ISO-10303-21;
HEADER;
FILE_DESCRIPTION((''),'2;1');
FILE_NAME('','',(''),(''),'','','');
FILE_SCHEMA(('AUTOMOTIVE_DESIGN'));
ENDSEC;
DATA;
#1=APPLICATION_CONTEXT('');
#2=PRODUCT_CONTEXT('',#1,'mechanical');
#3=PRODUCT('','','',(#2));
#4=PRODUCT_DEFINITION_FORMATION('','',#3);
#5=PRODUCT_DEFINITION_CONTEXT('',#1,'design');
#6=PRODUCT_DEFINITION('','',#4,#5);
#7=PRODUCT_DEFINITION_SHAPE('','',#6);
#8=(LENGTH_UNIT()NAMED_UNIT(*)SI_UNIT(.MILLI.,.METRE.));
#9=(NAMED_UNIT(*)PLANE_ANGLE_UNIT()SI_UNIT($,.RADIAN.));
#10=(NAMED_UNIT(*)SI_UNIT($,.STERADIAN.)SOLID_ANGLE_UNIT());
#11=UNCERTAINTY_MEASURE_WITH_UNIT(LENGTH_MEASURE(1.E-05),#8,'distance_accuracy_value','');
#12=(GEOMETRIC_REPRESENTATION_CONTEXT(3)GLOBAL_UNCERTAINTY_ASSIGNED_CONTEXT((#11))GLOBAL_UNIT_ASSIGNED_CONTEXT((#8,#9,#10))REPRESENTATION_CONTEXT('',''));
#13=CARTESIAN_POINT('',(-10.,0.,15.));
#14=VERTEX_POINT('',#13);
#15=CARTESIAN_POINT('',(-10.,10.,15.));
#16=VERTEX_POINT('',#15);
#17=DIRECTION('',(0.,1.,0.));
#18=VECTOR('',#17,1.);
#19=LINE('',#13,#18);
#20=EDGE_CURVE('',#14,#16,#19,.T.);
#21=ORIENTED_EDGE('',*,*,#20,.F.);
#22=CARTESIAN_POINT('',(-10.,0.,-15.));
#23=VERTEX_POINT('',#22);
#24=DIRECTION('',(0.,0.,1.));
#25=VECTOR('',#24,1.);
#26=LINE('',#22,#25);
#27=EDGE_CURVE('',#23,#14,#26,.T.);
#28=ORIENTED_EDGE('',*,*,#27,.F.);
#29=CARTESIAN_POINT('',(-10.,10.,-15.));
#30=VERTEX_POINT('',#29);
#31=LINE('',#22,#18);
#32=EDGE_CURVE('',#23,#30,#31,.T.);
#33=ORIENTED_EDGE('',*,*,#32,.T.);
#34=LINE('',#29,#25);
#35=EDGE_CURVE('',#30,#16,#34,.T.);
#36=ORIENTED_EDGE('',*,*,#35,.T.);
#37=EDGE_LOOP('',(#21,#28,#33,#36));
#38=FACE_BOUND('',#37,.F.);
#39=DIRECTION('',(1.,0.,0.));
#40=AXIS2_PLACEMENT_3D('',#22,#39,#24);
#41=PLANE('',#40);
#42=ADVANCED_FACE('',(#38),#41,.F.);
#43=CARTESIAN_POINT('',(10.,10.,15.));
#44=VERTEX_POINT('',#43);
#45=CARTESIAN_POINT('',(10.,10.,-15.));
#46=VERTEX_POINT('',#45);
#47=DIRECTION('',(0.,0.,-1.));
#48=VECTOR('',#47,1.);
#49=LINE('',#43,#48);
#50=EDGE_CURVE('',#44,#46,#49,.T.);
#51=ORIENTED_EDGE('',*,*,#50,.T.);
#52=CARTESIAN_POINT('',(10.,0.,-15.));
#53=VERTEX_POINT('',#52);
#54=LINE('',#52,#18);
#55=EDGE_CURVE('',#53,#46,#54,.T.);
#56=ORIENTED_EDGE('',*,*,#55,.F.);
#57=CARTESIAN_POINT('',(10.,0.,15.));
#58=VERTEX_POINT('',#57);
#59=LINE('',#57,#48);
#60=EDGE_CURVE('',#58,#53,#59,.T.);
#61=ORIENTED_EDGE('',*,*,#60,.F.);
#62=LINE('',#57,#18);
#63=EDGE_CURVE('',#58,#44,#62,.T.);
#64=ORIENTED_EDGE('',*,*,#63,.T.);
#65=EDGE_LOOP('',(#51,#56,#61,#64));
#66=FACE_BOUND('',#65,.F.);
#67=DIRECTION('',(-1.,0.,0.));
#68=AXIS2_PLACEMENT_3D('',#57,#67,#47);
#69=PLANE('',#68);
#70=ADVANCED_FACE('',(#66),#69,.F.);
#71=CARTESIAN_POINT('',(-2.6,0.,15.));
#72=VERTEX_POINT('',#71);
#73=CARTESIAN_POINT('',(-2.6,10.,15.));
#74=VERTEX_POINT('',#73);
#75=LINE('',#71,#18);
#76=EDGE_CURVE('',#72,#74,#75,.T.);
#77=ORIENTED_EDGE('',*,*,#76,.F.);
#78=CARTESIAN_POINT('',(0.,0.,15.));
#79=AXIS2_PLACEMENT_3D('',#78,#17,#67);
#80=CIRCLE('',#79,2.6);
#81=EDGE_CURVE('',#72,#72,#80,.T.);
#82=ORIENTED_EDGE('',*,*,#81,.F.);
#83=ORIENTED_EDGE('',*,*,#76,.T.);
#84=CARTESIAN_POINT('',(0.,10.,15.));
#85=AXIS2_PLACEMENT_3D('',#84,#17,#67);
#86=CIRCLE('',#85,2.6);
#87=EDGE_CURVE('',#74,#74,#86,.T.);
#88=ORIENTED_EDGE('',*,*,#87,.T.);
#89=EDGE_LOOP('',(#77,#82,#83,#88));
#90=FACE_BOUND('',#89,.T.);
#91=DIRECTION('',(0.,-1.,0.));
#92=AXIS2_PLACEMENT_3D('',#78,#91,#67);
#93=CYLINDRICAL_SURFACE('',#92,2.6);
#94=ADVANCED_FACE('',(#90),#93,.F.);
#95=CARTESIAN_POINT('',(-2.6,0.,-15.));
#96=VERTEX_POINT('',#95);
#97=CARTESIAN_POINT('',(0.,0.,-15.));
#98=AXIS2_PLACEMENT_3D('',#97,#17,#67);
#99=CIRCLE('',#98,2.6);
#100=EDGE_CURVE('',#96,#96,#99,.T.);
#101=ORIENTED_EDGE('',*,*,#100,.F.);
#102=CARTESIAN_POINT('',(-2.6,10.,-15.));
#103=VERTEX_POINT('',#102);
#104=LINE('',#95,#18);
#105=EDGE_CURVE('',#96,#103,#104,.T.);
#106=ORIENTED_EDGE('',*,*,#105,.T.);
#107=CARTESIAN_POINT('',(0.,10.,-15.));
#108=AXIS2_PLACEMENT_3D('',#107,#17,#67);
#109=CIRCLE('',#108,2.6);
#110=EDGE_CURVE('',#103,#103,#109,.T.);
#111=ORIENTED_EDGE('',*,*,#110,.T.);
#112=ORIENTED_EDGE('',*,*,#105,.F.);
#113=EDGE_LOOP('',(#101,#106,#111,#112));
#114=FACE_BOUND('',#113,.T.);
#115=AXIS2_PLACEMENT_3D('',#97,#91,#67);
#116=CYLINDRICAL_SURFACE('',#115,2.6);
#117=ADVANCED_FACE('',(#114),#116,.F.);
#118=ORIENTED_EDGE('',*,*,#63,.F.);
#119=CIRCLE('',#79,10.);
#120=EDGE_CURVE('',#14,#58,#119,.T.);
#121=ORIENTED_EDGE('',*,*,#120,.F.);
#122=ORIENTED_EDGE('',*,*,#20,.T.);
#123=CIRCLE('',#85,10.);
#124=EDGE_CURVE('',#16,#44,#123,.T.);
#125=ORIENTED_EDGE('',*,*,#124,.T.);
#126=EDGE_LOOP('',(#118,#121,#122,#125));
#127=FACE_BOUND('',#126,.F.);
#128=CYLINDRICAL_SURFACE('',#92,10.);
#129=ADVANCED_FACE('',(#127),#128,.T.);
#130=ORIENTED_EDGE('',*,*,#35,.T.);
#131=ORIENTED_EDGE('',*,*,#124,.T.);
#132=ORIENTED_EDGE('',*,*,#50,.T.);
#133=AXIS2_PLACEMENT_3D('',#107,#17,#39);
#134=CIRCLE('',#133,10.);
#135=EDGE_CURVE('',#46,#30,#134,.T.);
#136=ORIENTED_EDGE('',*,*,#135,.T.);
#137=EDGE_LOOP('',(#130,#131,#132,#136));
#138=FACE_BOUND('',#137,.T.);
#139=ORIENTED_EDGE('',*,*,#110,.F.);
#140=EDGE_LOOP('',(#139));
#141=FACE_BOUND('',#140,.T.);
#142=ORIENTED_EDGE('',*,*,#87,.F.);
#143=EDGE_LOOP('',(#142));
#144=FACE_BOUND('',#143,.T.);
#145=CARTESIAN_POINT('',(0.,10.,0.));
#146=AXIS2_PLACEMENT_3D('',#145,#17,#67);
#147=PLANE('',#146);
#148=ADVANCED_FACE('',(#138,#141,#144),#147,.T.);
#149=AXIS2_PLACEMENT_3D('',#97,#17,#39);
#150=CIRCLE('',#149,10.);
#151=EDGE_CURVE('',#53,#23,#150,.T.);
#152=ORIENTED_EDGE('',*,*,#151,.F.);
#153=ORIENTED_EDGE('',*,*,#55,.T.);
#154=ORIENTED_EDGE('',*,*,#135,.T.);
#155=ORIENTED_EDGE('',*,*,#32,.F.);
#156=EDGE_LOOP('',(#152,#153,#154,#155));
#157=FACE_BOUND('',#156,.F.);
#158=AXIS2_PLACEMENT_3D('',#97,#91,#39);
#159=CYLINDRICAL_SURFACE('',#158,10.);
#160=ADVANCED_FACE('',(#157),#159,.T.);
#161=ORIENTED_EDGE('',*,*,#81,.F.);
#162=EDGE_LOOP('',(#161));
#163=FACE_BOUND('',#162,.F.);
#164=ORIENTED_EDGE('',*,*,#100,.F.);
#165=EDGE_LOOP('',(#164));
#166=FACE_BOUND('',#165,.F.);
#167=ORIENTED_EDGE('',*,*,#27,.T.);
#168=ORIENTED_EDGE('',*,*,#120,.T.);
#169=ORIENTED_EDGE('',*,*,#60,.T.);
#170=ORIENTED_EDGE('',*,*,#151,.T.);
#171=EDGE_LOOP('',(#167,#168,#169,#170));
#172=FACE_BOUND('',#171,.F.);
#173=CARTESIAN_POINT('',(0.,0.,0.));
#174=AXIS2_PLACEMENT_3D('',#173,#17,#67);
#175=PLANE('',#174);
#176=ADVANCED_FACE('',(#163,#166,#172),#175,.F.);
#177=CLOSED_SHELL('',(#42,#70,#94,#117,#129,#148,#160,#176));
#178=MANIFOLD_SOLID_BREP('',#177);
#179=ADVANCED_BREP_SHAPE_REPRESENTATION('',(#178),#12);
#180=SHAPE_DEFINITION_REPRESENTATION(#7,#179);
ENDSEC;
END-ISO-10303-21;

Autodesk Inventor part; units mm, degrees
ref_plane "YZ Plane" through (0, 0, 0) normal (1, 0, 0) x (0, 1, 0)
ref_plane "XZ Plane" through (0, 0, 0) normal (0, 1, 0) x (-1, 0, 0)
ref_plane "XY Plane" through (0, 0, 0) normal (0, 0, 1) x (1, 0, 0)
sketch "Sketch1" plane through (0, 0, 0) normal (0, 1, 0) x (-1, 0, 0)
  line L0 (0, 15) -> (0, -15) construction
  line L1 (-10, 15) -> (-10, -15)
  line L2 (10, -15) -> (10, 15)
  arc A0 (10, 15) -> (-10, 15) centre (0, 15) ccw
  arc A1 (-10, -15) -> (10, -15) centre (0, -15) ccw
  circle A2 centre (0, -15) radius 2.6
  circle A3 centre (0, 15) radius 2.6
  point P0 (0, 0)
  dimension "d0" = 5.2
  dimension "d1" = 5.2
  dimension "d2" = 30
  dimension "d3" = 20
extrude "Extrusion1" add sketch "Sketch1" along normal blind 10
properties part number "Zarmattacher"
